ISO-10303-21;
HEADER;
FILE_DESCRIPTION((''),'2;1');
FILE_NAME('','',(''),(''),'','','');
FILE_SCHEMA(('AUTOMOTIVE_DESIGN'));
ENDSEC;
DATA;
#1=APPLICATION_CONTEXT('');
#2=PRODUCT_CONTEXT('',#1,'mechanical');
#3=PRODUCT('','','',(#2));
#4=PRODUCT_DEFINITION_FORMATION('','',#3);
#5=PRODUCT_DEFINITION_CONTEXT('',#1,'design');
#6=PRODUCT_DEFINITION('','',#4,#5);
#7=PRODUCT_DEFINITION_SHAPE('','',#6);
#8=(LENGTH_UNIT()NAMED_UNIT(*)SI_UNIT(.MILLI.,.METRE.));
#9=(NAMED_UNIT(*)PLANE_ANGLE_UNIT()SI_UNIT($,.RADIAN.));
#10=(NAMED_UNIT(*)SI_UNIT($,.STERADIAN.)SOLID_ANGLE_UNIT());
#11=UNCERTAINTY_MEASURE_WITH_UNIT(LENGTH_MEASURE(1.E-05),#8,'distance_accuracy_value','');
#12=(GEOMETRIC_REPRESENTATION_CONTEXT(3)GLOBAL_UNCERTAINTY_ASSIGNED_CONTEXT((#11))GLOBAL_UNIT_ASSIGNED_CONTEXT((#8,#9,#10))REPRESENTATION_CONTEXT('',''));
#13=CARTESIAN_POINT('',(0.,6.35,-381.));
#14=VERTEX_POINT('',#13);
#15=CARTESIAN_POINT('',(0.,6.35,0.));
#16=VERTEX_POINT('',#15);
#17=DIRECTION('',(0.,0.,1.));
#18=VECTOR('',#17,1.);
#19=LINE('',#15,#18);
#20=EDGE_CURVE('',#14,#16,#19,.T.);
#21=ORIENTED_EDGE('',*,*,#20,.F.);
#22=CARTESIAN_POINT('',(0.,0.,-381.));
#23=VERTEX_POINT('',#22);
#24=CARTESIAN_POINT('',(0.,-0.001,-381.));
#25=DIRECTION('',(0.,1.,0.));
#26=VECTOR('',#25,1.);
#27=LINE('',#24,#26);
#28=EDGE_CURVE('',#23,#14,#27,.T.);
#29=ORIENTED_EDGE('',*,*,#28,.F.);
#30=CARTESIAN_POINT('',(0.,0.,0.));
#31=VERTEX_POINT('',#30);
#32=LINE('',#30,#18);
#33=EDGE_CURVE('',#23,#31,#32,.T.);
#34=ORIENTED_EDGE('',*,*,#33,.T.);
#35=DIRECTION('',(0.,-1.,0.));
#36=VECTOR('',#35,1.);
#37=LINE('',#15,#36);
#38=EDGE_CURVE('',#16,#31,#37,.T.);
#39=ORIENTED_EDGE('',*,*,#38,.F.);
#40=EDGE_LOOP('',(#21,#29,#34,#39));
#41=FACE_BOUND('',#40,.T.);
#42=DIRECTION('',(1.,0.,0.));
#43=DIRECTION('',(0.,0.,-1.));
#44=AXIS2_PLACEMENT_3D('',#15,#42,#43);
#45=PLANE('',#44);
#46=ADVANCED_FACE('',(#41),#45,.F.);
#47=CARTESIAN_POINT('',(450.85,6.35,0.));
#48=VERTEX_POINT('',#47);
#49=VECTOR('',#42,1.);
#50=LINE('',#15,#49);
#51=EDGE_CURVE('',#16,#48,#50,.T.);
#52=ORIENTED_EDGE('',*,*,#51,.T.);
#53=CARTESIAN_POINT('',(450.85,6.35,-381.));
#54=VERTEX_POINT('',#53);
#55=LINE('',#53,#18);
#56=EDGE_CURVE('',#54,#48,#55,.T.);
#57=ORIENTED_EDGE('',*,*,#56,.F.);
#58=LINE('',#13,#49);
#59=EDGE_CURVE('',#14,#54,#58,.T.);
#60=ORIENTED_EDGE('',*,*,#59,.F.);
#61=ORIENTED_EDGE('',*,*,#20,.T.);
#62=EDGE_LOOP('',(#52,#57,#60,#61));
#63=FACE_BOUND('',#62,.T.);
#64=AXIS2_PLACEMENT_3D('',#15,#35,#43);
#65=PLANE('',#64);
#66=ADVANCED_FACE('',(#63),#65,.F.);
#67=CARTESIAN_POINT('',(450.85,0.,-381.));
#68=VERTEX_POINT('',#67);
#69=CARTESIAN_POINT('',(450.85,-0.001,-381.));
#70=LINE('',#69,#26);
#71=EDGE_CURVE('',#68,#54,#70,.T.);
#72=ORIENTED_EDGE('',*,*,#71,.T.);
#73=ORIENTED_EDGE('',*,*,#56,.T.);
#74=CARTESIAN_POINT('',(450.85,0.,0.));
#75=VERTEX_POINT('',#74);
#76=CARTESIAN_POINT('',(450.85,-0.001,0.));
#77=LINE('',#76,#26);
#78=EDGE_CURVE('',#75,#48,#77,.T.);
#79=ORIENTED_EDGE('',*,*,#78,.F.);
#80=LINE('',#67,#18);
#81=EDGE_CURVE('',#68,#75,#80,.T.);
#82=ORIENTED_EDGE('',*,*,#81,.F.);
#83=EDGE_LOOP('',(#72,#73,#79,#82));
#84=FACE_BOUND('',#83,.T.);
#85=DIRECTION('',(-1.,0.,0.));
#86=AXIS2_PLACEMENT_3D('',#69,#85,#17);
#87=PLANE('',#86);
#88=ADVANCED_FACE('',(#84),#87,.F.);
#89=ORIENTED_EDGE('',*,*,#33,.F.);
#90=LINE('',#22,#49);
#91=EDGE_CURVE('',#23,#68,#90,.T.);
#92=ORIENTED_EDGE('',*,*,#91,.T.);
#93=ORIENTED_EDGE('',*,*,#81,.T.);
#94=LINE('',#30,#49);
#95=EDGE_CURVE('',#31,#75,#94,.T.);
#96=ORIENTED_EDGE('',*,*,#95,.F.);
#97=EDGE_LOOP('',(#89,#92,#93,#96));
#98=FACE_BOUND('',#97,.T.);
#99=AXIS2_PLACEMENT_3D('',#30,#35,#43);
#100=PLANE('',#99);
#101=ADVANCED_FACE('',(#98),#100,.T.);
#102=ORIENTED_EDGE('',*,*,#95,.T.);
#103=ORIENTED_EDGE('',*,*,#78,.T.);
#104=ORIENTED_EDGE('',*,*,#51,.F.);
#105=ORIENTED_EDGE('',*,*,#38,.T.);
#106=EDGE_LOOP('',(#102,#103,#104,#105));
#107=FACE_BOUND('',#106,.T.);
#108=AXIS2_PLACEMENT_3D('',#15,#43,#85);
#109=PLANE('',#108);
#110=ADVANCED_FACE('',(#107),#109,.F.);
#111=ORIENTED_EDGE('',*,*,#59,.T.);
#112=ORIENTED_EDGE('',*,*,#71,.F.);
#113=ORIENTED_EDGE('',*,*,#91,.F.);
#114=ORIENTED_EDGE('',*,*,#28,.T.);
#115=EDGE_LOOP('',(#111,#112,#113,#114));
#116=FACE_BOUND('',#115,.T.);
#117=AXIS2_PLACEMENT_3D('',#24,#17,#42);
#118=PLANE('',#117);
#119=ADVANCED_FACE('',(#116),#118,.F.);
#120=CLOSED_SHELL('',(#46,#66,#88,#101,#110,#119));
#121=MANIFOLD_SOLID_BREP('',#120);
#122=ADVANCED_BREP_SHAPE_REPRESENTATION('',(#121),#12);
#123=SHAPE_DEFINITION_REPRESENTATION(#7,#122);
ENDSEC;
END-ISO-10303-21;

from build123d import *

# Parameters (mm, degrees)
SKETCH1_W           = 1219.2
SKETCH1_H           = 609.6
BOSS_EXTRUDE1_DEPTH = 6.35
CUT_EXTRUDE1_REACH  = 1365.122
SKETCH9_W           = 450.85
SKETCH9_H           = 381
CUT_EXTRUDE2_DEPTH  = 6.35


with BuildPart() as part:
    # Sketch1 → Boss-Extrude1 (new body)
    with BuildSketch(Plane(origin=(0, 0, 0), x_dir=(1, 0, 0), z_dir=(0, 1, 0))):
        with Locations((609.6, 304.8)):
            Rectangle(SKETCH1_W, SKETCH1_H)
    extrude(amount=BOSS_EXTRUDE1_DEPTH)

    # Sketch7 → Cut-Extrude1 (cut, up to next)
    with BuildSketch(Plane(origin=(0, 6.35, 0), x_dir=(1, 0, 0), z_dir=(0, 1, 0)), mode=Mode.PRIVATE) as cut_extrude1_sk1:
        Polygon((501.65, 381), (952.5, 381), (952.5, 0), (1219.2, 0), (1219.2, 381), (1219.2, 609.6), (0, 609.6), (0, 381), (450.85, 381), (450.85, 0), (501.65, 0), align=None)
    cut_extrude1_tool1 = extrude(cut_extrude1_sk1.sketch, amount=-CUT_EXTRUDE1_REACH, mode=Mode.PRIVATE) & part.part
    add(cut_extrude1_tool1.solids().sort_by_distance((724.222881, 6.35, -403.048184))[0], mode=Mode.SUBTRACT)


with BuildPart() as cut_extrude1_piece_1:
    # of the separate pieces the step leaves, piece 1, a body of its own (cut_extrude1_pieces)
    add(part.part.solids().sort_by_distance((0, 0, 0))[0])


with BuildPart() as cut_extrude1_piece_2:
    # of the separate pieces the step leaves, piece 2, a body of its own (cut_extrude1_pieces)
    add(part.part.solids().sort_by_distance((501.65, 0, 0))[0])

    # Sketch9 → Cut-Extrude2 (cut)
    with BuildSketch(Plane(origin=(0, 6.35, 0), x_dir=(1, 0, 0), z_dir=(0, 1, 0))):
        with Locations((727.075, 190.5)):
            Rectangle(SKETCH9_W, SKETCH9_H)
    extrude(amount=-CUT_EXTRUDE2_DEPTH, mode=Mode.SUBTRACT)


solid = cut_extrude1_piece_1.part
